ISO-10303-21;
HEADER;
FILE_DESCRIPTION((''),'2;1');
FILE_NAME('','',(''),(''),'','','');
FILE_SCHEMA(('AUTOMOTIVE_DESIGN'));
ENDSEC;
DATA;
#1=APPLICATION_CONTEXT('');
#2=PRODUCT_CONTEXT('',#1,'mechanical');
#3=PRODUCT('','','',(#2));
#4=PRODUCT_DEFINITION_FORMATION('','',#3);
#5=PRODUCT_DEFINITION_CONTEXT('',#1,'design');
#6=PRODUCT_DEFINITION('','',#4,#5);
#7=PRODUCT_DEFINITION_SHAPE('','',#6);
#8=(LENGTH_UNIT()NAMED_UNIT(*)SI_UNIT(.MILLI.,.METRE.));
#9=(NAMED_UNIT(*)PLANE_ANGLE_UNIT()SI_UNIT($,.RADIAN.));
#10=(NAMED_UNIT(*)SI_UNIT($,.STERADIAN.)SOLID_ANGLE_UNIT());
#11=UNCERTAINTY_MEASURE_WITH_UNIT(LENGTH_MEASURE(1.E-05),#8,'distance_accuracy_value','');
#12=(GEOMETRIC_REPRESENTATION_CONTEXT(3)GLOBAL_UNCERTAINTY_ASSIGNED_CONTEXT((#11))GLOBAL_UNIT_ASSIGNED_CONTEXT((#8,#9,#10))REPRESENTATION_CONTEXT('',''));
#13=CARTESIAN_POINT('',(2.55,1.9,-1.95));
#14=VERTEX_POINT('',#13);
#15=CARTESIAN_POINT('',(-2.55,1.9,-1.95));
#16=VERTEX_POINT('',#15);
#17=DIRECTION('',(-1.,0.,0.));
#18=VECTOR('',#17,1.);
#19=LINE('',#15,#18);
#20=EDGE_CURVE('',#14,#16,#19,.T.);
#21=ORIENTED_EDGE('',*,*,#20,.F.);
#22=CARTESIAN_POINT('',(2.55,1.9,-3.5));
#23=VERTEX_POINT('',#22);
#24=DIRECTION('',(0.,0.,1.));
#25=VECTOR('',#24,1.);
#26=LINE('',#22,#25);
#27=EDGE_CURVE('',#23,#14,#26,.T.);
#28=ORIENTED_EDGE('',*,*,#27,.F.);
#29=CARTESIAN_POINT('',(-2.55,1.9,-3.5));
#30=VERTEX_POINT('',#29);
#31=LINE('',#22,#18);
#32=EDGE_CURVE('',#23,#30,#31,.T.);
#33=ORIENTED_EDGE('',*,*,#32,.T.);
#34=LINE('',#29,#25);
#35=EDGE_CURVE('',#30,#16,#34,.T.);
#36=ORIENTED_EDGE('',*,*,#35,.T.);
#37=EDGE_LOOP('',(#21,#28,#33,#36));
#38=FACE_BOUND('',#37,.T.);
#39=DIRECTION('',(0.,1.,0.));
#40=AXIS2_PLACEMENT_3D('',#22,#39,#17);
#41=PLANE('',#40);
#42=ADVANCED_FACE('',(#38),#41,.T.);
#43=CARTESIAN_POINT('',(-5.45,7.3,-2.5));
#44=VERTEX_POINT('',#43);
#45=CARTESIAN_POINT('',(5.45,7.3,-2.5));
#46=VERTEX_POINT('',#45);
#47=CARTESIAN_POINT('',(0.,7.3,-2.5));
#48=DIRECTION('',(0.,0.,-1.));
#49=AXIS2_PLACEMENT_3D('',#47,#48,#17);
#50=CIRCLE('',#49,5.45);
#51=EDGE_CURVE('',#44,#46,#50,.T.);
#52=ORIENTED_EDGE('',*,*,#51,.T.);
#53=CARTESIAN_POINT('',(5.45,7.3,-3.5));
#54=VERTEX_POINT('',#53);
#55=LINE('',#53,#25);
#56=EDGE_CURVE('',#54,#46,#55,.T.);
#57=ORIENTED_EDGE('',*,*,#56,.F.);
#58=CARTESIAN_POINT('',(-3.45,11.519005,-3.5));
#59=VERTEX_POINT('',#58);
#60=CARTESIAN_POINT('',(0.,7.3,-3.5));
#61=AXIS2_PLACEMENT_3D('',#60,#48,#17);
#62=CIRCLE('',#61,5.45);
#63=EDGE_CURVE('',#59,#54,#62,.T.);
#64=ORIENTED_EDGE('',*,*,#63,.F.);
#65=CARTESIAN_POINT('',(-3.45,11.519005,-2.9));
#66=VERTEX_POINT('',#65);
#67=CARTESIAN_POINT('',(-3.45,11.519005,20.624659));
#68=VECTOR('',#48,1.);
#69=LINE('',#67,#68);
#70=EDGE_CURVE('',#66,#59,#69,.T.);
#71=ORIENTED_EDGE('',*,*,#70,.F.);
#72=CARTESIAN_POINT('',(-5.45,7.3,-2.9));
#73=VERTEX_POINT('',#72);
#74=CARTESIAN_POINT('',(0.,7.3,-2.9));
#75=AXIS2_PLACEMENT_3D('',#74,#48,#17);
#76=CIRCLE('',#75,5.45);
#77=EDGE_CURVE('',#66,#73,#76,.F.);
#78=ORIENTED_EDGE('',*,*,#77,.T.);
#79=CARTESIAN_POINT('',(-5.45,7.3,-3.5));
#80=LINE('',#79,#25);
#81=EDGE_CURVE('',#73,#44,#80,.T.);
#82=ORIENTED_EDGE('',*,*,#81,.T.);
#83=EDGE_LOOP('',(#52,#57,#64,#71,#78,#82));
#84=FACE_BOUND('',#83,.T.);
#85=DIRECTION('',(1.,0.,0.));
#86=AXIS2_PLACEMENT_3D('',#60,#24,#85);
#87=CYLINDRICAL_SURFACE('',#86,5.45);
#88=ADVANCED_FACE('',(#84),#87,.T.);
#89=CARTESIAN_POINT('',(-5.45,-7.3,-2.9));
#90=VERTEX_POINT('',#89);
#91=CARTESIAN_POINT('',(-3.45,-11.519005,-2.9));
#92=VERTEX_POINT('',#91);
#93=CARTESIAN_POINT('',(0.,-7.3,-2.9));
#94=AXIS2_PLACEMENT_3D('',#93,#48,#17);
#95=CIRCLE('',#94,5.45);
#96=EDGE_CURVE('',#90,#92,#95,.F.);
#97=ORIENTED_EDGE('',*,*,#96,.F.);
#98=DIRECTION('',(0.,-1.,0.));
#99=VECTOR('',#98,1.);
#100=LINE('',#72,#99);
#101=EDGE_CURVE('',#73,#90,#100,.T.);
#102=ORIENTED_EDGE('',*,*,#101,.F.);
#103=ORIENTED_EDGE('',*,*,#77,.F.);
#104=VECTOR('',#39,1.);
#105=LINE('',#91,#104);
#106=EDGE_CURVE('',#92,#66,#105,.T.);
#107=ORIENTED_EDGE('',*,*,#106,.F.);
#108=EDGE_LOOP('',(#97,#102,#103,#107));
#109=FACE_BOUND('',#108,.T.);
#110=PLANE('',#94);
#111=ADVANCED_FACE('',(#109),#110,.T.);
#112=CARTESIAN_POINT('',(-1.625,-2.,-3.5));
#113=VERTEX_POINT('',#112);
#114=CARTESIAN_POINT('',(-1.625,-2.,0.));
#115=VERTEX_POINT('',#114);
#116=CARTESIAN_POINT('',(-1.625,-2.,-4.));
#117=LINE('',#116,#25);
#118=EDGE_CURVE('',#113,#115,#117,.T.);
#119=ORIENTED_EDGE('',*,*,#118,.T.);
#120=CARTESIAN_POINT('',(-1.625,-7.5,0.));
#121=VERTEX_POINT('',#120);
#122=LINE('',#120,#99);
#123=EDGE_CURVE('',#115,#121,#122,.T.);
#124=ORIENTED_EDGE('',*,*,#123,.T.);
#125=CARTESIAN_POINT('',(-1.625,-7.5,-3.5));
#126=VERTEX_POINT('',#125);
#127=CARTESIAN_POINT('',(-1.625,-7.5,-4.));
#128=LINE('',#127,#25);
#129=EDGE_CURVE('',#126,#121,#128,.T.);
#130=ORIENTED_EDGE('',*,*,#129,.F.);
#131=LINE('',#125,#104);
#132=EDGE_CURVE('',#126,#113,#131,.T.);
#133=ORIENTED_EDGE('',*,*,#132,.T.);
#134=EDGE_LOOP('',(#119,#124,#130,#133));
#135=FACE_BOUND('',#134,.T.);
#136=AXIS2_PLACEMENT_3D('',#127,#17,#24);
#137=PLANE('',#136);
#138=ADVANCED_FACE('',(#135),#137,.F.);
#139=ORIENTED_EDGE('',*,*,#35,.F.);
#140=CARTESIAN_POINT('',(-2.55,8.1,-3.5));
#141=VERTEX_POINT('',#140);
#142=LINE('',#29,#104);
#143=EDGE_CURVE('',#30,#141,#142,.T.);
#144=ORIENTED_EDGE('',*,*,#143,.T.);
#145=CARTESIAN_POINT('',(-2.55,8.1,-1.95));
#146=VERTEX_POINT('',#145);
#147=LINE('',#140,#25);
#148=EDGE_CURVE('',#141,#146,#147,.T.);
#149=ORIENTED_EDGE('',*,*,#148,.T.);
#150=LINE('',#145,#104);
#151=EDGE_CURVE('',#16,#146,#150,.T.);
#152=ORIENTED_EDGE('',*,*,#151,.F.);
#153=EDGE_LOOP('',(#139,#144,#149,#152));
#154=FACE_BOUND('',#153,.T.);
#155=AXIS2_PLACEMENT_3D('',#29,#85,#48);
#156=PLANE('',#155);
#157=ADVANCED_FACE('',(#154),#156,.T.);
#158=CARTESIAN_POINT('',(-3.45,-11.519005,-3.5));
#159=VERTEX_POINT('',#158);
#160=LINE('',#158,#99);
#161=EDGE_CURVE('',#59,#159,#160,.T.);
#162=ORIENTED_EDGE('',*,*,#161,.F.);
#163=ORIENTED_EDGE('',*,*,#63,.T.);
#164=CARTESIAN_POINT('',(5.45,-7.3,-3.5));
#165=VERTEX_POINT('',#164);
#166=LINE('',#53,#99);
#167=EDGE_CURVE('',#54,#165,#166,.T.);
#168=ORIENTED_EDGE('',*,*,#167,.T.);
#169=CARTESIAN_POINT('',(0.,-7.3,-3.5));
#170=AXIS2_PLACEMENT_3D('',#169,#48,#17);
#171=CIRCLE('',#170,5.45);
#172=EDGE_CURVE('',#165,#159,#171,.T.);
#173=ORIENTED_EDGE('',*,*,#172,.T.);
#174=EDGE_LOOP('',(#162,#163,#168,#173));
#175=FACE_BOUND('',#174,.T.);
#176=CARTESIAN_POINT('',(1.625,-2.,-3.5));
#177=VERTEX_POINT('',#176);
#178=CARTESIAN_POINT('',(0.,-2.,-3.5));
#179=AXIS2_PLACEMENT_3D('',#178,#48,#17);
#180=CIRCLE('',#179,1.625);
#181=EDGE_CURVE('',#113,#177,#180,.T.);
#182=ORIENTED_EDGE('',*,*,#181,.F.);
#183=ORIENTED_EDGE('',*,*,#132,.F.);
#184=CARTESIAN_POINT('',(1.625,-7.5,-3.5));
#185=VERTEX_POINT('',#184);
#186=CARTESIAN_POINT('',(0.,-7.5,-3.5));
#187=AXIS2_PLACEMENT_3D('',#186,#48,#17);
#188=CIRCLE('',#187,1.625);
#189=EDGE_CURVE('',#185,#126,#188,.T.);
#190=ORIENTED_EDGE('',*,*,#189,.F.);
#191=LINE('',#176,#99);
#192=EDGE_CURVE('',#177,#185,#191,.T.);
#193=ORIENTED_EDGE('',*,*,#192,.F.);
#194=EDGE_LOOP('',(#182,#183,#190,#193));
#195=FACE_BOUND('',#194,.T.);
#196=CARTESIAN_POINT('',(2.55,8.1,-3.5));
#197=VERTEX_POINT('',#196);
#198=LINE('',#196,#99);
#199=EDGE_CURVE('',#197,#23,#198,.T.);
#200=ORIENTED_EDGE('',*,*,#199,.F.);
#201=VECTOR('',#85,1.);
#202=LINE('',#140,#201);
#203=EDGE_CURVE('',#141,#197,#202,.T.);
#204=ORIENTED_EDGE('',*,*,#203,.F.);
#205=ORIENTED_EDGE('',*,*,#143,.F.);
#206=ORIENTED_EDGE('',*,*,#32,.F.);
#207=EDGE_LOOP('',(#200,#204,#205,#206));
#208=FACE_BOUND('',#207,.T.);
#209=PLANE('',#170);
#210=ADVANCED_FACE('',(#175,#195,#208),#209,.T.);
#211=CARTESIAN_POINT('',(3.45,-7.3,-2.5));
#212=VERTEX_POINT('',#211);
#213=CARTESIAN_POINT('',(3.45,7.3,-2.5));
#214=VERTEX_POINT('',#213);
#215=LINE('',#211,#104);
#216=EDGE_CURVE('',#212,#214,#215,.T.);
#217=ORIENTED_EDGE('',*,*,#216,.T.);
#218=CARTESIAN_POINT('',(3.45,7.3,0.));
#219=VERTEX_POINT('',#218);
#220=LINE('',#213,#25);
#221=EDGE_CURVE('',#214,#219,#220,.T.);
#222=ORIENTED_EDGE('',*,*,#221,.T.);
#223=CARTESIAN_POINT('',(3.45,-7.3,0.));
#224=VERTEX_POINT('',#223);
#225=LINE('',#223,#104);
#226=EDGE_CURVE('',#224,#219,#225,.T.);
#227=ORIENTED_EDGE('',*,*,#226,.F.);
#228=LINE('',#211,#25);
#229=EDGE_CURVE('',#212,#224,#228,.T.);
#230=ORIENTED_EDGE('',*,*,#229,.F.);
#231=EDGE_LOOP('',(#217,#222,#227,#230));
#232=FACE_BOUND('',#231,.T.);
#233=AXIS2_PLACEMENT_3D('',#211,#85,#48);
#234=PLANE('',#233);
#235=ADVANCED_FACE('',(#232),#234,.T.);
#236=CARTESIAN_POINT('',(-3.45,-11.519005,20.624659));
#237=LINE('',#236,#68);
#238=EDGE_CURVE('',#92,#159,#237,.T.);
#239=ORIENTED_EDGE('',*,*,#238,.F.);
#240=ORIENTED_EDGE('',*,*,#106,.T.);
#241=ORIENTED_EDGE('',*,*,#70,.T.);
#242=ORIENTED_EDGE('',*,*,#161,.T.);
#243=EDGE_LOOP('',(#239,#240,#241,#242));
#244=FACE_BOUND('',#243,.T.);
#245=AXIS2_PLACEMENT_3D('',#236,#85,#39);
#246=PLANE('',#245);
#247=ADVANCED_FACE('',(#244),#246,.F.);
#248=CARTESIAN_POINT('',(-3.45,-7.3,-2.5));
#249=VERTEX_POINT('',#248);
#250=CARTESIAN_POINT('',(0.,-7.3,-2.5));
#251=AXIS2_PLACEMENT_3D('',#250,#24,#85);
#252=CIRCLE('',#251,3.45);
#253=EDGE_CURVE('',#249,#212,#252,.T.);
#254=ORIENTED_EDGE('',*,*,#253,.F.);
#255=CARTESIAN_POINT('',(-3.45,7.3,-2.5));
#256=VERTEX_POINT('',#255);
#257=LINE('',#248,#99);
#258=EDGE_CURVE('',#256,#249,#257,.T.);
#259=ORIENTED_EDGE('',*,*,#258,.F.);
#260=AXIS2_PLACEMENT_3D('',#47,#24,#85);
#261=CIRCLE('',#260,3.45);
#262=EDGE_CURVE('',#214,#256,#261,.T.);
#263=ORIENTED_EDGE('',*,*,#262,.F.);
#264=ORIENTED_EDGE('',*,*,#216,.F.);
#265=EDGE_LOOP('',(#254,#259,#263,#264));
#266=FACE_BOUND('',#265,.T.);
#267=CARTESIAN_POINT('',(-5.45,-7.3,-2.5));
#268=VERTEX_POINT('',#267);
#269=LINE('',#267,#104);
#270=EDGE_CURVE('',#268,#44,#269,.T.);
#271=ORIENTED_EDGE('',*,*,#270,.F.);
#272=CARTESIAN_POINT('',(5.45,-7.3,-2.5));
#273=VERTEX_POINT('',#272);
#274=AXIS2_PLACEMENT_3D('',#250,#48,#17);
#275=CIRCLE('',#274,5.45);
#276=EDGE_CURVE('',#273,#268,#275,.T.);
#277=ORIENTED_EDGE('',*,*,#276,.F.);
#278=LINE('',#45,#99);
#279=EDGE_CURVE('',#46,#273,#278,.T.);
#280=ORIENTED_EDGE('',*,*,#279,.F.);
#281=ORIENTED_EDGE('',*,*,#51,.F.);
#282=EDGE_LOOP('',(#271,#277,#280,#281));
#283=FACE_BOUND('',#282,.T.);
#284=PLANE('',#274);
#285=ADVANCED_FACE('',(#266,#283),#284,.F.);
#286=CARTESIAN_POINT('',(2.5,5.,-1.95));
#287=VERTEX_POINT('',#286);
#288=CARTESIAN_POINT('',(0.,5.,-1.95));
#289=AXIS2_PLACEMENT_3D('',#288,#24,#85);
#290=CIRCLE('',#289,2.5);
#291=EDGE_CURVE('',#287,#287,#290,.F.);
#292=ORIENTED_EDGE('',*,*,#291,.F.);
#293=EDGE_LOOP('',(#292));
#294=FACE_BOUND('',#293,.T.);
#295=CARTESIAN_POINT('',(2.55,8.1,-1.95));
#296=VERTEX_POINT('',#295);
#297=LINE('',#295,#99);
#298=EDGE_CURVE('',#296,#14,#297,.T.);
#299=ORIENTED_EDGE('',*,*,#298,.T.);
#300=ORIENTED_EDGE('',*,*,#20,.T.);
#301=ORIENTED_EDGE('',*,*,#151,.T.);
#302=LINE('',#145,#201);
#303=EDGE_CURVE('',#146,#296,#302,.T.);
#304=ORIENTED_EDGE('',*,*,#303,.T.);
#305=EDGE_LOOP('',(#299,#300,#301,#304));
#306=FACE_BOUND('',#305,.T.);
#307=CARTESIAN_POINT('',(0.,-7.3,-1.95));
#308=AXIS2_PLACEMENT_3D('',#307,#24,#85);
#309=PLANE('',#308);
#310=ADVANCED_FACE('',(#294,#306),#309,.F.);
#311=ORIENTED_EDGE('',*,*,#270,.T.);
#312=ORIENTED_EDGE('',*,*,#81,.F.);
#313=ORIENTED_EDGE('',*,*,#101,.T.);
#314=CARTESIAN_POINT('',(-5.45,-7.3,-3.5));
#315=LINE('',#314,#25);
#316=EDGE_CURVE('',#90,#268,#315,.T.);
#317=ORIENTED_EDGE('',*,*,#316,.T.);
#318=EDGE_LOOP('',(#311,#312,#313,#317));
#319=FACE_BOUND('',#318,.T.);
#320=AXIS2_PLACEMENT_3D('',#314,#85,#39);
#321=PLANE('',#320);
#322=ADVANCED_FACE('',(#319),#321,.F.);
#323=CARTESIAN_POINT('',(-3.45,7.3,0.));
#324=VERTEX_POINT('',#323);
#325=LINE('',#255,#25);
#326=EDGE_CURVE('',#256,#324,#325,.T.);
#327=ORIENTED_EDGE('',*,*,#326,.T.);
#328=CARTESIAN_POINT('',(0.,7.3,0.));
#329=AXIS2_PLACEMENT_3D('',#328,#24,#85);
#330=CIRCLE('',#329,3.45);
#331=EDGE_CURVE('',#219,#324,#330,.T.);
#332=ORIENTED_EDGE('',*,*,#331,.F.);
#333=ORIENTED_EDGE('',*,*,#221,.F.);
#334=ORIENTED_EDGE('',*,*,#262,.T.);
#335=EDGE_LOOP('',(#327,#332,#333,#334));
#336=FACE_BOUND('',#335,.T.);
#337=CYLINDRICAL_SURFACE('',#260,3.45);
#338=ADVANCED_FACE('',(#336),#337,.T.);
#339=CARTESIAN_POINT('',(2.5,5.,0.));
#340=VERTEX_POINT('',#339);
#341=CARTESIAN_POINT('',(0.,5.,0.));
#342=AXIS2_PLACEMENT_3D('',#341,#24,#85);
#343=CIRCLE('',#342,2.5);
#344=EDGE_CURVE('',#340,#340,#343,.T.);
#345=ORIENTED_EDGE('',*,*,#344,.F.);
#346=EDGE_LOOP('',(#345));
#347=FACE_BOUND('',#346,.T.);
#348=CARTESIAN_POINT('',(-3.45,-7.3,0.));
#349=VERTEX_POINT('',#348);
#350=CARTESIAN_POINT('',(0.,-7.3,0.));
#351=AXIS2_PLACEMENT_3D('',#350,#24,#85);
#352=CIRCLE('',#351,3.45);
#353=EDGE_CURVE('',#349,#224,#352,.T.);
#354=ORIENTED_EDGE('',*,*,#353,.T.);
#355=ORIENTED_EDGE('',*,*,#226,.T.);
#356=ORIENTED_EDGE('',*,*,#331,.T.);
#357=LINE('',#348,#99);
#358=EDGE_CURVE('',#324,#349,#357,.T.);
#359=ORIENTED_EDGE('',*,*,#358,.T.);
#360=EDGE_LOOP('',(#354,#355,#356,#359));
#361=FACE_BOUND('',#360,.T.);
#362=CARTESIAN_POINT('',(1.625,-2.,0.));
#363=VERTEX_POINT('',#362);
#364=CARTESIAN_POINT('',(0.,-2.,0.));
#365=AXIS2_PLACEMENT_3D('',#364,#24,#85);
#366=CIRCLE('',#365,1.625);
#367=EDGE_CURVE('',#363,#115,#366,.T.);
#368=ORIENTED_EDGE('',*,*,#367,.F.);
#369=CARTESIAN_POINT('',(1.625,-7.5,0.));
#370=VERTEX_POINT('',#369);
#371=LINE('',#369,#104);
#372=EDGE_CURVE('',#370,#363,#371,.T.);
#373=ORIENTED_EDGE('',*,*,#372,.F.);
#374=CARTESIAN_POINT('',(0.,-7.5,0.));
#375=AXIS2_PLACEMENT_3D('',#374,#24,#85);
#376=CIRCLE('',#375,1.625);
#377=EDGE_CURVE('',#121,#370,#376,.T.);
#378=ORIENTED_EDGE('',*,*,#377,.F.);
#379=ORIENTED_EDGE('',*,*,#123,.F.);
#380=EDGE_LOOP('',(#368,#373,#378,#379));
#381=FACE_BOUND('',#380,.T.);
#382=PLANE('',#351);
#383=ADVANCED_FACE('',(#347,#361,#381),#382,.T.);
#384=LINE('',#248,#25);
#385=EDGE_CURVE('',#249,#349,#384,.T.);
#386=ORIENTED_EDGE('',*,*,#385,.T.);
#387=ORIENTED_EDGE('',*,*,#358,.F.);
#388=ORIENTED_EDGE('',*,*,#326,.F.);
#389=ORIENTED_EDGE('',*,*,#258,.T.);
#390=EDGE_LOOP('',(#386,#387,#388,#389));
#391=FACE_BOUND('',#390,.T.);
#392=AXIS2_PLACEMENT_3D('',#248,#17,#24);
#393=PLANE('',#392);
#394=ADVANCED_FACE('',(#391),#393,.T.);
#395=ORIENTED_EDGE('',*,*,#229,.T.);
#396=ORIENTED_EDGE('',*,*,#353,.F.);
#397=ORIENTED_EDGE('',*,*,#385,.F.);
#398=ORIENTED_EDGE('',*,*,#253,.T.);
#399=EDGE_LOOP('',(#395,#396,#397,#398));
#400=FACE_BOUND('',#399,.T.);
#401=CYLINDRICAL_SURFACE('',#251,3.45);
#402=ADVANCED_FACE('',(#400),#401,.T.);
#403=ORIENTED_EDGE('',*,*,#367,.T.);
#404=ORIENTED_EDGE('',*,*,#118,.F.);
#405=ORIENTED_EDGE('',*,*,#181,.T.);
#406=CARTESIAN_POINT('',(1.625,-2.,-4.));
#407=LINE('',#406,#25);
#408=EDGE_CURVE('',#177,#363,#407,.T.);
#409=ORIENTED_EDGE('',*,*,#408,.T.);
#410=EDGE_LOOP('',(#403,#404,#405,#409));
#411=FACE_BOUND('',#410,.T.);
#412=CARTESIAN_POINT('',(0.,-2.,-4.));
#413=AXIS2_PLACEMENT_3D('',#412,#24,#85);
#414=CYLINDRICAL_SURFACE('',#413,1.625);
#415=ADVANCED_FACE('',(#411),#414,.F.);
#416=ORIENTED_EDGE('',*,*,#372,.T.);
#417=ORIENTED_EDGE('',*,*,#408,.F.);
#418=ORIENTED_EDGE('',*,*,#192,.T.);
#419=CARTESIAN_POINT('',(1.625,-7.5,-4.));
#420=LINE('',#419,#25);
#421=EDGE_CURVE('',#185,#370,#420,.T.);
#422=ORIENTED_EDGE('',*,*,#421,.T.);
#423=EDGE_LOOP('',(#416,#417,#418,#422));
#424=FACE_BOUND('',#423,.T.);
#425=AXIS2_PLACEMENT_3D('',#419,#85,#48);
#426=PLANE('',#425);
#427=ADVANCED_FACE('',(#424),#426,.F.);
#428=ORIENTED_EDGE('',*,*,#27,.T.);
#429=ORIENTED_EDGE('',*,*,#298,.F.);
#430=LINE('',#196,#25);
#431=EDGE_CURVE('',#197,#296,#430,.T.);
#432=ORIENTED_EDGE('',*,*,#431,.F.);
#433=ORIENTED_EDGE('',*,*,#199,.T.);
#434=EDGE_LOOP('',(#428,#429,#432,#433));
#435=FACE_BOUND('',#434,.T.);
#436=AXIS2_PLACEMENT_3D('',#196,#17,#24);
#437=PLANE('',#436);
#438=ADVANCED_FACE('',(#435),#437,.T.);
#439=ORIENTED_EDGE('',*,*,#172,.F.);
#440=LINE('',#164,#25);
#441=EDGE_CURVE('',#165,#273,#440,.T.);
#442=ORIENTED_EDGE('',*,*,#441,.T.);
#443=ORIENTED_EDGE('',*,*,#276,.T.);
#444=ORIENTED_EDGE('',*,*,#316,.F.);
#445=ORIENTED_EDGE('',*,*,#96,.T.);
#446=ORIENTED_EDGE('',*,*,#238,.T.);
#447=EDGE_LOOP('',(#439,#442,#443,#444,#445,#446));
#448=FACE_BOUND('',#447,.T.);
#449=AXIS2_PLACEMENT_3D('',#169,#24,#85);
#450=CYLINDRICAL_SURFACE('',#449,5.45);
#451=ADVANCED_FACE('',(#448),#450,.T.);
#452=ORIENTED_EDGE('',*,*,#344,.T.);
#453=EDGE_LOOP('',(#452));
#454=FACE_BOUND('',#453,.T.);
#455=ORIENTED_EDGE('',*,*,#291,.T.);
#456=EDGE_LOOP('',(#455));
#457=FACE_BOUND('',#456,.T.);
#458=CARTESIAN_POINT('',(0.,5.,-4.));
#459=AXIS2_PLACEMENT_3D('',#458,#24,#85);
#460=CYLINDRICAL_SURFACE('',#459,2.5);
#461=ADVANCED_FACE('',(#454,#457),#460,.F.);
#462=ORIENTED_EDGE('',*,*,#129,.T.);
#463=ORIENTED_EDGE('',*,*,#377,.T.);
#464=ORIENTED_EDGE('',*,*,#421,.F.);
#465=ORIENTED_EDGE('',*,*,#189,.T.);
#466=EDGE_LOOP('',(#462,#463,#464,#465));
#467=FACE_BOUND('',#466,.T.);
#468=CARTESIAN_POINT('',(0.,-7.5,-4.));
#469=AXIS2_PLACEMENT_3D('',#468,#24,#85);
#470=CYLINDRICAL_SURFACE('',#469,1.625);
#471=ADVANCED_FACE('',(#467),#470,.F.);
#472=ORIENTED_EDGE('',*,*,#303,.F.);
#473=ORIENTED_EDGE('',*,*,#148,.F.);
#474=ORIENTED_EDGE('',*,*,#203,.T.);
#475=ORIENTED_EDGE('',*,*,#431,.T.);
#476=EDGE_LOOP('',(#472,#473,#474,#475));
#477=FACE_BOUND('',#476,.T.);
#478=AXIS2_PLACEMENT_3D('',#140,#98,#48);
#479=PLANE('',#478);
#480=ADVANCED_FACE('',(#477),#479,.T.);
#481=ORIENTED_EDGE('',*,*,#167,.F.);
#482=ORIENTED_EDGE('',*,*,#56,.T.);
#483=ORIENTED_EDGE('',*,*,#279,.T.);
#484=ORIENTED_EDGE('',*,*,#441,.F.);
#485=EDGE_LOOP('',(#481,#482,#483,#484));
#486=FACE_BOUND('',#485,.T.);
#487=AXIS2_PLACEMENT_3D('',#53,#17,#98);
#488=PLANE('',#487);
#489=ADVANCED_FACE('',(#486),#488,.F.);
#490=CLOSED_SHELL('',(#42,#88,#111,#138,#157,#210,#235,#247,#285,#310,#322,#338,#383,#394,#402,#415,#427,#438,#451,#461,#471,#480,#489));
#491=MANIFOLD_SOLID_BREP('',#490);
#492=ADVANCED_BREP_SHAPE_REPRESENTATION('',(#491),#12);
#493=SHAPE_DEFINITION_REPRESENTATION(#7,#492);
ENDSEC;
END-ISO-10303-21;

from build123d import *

# Parameters (mm, degrees)
BOSS_EXTRUDE1_DEPTH = 2.5
SKETCH3_R           = 2.5
CUT_EXTRUDE1_DEPTH  = 4
SKETCH4_W           = 5.1
SKETCH4_H           = 6.2
BOSS_EXTRUDE2_DEPTH = 1
SKETCH5_W           = 5.1
SKETCH5_H           = 6.2
CUT_EXTRUDE2_DEPTH  = 0.55
CUT_EXTRUDE3_START  = -0.6
CUT_EXTRUDE3_DEPTH  = 0.6


with BuildPart() as part:
    # Sketch1 → Boss-Extrude1 (new body)
    with BuildSketch(Plane(origin=(0, 0, 0), x_dir=(0, 1, 0), z_dir=(0, 0, 1))):
        with BuildLine():
            Line((-7.3, 3.45), (7.3, 3.45))
            ThreePointArc((7.3, 3.45), (10.75, 0), (7.3, -3.45))
            Line((7.3, -3.45), (-7.3, -3.45))
            ThreePointArc((-7.3, -3.45), (-10.75, 0), (-7.3, 3.45))
        make_face()
    extrude(amount=-BOSS_EXTRUDE1_DEPTH)

    # Sketch3 → Cut-Extrude1 (cut)
    with BuildSketch(Plane.XY):
        with Locations((0, 5)):
            Circle(SKETCH3_R)
        with BuildLine():
            Line((-1.625, -7.5), (-1.625, -2))
            ThreePointArc((-1.625, -2), (0, -0.375), (1.625, -2))
            Line((1.625, -2), (1.625, -7.5))
            ThreePointArc((1.625, -7.5), (0, -9.125), (-1.625, -7.5))
        make_face()
    extrude(amount=-CUT_EXTRUDE1_DEPTH, mode=Mode.SUBTRACT)

    # Sketch4 → Boss-Extrude2 (add)
    with BuildSketch(Plane(origin=(0, 0, -2.5), x_dir=(1, 0, 0), z_dir=(0, 0, -1))):
        with BuildLine():
            Line((-5.45, 7.3), (-5.45, -7.3))
            ThreePointArc((-5.45, -7.3), (0, -12.75), (5.45, -7.3))
            Line((5.45, -7.3), (5.45, 7.3))
            ThreePointArc((5.45, 7.3), (0, 12.75), (-5.45, 7.3))
        make_face()
        with BuildLine():
            Line((1.625, 2), (1.625, 7.5))
            ThreePointArc((1.625, 7.5), (0, 9.125), (-1.625, 7.5))
            Line((-1.625, 7.5), (-1.625, 2))
            ThreePointArc((-1.625, 2), (0, 0.375), (1.625, 2))
        make_face(mode=Mode.SUBTRACT)
        with Locations((0, -5)):
            Rectangle(SKETCH4_W, SKETCH4_H, mode=Mode.SUBTRACT)
    extrude(amount=BOSS_EXTRUDE2_DEPTH)

    # Sketch5 → Cut-Extrude2 (cut)
    with BuildSketch(Plane(origin=(0, 0, -2.5), x_dir=(1, 0, 0), z_dir=(0, 0, -1))):
        with Locations((0, -5)):
            Rectangle(SKETCH5_W, SKETCH5_H)
    extrude(amount=-CUT_EXTRUDE2_DEPTH, mode=Mode.SUBTRACT)

    # Sketch6 → Cut-Extrude3 (cut)
    with BuildSketch(Plane(origin=(0, 0, -3.5), x_dir=(1, 0, 0), z_dir=(0, 0, -1)).offset(CUT_EXTRUDE3_START)):
        with BuildLine():
            Line((-5.45, -7.3), (-5.45, 7.3))
            ThreePointArc((-5.45, 7.3), (-4.924682731, 9.634523506), (-3.45, 11.519004622))
            Line((-3.45, 11.519004622), (-3.45, -11.519004622))
            ThreePointArc((-3.45, -11.519004622), (-4.924682731, -9.634523506), (-5.45, -7.3))
        make_face()
    extrude(amount=CUT_EXTRUDE3_DEPTH, mode=Mode.SUBTRACT)


solid = part.part
